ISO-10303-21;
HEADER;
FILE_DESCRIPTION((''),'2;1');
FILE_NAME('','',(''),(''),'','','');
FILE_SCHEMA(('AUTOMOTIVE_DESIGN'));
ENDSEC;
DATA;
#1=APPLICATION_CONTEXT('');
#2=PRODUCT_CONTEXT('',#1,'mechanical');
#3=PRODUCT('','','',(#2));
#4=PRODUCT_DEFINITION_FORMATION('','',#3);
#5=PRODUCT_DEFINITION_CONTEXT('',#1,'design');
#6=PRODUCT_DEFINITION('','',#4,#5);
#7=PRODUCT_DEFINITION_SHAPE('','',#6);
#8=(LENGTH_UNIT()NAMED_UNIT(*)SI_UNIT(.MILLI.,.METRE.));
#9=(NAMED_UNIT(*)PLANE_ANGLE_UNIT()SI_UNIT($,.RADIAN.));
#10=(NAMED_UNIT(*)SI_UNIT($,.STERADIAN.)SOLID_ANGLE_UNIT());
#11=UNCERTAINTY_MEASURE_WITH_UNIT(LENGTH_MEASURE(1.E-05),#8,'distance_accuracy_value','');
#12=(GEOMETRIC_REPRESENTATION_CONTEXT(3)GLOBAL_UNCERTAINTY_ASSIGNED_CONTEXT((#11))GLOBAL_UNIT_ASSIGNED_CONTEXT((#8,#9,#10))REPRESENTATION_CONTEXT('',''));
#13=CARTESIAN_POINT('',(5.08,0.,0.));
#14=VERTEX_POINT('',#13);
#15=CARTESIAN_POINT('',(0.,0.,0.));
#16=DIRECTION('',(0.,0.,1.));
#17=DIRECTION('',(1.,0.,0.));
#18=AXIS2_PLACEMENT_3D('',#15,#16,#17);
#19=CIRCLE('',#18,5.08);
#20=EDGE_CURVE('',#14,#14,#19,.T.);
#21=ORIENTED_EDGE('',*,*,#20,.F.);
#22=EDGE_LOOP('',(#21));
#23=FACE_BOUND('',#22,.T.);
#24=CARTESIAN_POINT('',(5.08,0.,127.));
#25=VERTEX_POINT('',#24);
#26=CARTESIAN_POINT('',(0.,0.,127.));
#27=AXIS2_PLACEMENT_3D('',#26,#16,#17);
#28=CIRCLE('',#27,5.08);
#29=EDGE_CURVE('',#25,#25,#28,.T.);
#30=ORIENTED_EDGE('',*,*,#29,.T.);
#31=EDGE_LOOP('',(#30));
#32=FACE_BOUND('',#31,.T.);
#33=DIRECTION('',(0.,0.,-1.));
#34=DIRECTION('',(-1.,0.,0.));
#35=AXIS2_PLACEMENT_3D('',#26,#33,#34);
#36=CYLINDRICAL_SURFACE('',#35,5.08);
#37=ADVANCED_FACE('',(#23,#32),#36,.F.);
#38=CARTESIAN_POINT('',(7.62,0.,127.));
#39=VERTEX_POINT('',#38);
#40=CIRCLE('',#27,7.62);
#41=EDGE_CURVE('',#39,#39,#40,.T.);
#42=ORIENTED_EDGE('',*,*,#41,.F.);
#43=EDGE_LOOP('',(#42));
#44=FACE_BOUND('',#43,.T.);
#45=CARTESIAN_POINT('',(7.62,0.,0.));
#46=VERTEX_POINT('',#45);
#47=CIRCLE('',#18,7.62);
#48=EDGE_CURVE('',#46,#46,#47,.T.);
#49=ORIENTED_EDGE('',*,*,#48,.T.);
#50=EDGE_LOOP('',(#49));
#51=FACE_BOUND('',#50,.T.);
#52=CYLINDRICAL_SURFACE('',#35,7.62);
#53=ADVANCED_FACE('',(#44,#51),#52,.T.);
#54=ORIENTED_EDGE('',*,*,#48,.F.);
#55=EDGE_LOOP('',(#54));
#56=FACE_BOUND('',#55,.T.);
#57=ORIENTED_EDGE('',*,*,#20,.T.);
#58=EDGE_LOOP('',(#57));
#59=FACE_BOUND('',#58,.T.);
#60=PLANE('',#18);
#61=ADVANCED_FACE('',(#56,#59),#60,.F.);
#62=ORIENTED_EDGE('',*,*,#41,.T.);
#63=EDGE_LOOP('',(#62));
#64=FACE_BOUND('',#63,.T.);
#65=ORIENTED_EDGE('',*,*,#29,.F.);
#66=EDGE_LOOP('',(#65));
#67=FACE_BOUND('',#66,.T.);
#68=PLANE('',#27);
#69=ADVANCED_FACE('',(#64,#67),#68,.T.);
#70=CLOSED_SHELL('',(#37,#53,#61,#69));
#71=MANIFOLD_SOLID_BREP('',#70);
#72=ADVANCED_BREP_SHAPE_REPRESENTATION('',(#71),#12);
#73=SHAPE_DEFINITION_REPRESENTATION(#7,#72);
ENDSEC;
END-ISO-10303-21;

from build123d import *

# Parameters (mm, degrees)
SKETCH1_R           = 7.62
SKETCH1_R_2         = 5.08
BOSS_EXTRUDE1_DEPTH = 127


with BuildPart() as part:
    # Sketch1 → Boss-Extrude1 (new body)
    with BuildSketch(Plane.XY):
        Circle(SKETCH1_R)
        Circle(SKETCH1_R_2, mode=Mode.SUBTRACT)
    extrude(amount=BOSS_EXTRUDE1_DEPTH)


solid = part.part
